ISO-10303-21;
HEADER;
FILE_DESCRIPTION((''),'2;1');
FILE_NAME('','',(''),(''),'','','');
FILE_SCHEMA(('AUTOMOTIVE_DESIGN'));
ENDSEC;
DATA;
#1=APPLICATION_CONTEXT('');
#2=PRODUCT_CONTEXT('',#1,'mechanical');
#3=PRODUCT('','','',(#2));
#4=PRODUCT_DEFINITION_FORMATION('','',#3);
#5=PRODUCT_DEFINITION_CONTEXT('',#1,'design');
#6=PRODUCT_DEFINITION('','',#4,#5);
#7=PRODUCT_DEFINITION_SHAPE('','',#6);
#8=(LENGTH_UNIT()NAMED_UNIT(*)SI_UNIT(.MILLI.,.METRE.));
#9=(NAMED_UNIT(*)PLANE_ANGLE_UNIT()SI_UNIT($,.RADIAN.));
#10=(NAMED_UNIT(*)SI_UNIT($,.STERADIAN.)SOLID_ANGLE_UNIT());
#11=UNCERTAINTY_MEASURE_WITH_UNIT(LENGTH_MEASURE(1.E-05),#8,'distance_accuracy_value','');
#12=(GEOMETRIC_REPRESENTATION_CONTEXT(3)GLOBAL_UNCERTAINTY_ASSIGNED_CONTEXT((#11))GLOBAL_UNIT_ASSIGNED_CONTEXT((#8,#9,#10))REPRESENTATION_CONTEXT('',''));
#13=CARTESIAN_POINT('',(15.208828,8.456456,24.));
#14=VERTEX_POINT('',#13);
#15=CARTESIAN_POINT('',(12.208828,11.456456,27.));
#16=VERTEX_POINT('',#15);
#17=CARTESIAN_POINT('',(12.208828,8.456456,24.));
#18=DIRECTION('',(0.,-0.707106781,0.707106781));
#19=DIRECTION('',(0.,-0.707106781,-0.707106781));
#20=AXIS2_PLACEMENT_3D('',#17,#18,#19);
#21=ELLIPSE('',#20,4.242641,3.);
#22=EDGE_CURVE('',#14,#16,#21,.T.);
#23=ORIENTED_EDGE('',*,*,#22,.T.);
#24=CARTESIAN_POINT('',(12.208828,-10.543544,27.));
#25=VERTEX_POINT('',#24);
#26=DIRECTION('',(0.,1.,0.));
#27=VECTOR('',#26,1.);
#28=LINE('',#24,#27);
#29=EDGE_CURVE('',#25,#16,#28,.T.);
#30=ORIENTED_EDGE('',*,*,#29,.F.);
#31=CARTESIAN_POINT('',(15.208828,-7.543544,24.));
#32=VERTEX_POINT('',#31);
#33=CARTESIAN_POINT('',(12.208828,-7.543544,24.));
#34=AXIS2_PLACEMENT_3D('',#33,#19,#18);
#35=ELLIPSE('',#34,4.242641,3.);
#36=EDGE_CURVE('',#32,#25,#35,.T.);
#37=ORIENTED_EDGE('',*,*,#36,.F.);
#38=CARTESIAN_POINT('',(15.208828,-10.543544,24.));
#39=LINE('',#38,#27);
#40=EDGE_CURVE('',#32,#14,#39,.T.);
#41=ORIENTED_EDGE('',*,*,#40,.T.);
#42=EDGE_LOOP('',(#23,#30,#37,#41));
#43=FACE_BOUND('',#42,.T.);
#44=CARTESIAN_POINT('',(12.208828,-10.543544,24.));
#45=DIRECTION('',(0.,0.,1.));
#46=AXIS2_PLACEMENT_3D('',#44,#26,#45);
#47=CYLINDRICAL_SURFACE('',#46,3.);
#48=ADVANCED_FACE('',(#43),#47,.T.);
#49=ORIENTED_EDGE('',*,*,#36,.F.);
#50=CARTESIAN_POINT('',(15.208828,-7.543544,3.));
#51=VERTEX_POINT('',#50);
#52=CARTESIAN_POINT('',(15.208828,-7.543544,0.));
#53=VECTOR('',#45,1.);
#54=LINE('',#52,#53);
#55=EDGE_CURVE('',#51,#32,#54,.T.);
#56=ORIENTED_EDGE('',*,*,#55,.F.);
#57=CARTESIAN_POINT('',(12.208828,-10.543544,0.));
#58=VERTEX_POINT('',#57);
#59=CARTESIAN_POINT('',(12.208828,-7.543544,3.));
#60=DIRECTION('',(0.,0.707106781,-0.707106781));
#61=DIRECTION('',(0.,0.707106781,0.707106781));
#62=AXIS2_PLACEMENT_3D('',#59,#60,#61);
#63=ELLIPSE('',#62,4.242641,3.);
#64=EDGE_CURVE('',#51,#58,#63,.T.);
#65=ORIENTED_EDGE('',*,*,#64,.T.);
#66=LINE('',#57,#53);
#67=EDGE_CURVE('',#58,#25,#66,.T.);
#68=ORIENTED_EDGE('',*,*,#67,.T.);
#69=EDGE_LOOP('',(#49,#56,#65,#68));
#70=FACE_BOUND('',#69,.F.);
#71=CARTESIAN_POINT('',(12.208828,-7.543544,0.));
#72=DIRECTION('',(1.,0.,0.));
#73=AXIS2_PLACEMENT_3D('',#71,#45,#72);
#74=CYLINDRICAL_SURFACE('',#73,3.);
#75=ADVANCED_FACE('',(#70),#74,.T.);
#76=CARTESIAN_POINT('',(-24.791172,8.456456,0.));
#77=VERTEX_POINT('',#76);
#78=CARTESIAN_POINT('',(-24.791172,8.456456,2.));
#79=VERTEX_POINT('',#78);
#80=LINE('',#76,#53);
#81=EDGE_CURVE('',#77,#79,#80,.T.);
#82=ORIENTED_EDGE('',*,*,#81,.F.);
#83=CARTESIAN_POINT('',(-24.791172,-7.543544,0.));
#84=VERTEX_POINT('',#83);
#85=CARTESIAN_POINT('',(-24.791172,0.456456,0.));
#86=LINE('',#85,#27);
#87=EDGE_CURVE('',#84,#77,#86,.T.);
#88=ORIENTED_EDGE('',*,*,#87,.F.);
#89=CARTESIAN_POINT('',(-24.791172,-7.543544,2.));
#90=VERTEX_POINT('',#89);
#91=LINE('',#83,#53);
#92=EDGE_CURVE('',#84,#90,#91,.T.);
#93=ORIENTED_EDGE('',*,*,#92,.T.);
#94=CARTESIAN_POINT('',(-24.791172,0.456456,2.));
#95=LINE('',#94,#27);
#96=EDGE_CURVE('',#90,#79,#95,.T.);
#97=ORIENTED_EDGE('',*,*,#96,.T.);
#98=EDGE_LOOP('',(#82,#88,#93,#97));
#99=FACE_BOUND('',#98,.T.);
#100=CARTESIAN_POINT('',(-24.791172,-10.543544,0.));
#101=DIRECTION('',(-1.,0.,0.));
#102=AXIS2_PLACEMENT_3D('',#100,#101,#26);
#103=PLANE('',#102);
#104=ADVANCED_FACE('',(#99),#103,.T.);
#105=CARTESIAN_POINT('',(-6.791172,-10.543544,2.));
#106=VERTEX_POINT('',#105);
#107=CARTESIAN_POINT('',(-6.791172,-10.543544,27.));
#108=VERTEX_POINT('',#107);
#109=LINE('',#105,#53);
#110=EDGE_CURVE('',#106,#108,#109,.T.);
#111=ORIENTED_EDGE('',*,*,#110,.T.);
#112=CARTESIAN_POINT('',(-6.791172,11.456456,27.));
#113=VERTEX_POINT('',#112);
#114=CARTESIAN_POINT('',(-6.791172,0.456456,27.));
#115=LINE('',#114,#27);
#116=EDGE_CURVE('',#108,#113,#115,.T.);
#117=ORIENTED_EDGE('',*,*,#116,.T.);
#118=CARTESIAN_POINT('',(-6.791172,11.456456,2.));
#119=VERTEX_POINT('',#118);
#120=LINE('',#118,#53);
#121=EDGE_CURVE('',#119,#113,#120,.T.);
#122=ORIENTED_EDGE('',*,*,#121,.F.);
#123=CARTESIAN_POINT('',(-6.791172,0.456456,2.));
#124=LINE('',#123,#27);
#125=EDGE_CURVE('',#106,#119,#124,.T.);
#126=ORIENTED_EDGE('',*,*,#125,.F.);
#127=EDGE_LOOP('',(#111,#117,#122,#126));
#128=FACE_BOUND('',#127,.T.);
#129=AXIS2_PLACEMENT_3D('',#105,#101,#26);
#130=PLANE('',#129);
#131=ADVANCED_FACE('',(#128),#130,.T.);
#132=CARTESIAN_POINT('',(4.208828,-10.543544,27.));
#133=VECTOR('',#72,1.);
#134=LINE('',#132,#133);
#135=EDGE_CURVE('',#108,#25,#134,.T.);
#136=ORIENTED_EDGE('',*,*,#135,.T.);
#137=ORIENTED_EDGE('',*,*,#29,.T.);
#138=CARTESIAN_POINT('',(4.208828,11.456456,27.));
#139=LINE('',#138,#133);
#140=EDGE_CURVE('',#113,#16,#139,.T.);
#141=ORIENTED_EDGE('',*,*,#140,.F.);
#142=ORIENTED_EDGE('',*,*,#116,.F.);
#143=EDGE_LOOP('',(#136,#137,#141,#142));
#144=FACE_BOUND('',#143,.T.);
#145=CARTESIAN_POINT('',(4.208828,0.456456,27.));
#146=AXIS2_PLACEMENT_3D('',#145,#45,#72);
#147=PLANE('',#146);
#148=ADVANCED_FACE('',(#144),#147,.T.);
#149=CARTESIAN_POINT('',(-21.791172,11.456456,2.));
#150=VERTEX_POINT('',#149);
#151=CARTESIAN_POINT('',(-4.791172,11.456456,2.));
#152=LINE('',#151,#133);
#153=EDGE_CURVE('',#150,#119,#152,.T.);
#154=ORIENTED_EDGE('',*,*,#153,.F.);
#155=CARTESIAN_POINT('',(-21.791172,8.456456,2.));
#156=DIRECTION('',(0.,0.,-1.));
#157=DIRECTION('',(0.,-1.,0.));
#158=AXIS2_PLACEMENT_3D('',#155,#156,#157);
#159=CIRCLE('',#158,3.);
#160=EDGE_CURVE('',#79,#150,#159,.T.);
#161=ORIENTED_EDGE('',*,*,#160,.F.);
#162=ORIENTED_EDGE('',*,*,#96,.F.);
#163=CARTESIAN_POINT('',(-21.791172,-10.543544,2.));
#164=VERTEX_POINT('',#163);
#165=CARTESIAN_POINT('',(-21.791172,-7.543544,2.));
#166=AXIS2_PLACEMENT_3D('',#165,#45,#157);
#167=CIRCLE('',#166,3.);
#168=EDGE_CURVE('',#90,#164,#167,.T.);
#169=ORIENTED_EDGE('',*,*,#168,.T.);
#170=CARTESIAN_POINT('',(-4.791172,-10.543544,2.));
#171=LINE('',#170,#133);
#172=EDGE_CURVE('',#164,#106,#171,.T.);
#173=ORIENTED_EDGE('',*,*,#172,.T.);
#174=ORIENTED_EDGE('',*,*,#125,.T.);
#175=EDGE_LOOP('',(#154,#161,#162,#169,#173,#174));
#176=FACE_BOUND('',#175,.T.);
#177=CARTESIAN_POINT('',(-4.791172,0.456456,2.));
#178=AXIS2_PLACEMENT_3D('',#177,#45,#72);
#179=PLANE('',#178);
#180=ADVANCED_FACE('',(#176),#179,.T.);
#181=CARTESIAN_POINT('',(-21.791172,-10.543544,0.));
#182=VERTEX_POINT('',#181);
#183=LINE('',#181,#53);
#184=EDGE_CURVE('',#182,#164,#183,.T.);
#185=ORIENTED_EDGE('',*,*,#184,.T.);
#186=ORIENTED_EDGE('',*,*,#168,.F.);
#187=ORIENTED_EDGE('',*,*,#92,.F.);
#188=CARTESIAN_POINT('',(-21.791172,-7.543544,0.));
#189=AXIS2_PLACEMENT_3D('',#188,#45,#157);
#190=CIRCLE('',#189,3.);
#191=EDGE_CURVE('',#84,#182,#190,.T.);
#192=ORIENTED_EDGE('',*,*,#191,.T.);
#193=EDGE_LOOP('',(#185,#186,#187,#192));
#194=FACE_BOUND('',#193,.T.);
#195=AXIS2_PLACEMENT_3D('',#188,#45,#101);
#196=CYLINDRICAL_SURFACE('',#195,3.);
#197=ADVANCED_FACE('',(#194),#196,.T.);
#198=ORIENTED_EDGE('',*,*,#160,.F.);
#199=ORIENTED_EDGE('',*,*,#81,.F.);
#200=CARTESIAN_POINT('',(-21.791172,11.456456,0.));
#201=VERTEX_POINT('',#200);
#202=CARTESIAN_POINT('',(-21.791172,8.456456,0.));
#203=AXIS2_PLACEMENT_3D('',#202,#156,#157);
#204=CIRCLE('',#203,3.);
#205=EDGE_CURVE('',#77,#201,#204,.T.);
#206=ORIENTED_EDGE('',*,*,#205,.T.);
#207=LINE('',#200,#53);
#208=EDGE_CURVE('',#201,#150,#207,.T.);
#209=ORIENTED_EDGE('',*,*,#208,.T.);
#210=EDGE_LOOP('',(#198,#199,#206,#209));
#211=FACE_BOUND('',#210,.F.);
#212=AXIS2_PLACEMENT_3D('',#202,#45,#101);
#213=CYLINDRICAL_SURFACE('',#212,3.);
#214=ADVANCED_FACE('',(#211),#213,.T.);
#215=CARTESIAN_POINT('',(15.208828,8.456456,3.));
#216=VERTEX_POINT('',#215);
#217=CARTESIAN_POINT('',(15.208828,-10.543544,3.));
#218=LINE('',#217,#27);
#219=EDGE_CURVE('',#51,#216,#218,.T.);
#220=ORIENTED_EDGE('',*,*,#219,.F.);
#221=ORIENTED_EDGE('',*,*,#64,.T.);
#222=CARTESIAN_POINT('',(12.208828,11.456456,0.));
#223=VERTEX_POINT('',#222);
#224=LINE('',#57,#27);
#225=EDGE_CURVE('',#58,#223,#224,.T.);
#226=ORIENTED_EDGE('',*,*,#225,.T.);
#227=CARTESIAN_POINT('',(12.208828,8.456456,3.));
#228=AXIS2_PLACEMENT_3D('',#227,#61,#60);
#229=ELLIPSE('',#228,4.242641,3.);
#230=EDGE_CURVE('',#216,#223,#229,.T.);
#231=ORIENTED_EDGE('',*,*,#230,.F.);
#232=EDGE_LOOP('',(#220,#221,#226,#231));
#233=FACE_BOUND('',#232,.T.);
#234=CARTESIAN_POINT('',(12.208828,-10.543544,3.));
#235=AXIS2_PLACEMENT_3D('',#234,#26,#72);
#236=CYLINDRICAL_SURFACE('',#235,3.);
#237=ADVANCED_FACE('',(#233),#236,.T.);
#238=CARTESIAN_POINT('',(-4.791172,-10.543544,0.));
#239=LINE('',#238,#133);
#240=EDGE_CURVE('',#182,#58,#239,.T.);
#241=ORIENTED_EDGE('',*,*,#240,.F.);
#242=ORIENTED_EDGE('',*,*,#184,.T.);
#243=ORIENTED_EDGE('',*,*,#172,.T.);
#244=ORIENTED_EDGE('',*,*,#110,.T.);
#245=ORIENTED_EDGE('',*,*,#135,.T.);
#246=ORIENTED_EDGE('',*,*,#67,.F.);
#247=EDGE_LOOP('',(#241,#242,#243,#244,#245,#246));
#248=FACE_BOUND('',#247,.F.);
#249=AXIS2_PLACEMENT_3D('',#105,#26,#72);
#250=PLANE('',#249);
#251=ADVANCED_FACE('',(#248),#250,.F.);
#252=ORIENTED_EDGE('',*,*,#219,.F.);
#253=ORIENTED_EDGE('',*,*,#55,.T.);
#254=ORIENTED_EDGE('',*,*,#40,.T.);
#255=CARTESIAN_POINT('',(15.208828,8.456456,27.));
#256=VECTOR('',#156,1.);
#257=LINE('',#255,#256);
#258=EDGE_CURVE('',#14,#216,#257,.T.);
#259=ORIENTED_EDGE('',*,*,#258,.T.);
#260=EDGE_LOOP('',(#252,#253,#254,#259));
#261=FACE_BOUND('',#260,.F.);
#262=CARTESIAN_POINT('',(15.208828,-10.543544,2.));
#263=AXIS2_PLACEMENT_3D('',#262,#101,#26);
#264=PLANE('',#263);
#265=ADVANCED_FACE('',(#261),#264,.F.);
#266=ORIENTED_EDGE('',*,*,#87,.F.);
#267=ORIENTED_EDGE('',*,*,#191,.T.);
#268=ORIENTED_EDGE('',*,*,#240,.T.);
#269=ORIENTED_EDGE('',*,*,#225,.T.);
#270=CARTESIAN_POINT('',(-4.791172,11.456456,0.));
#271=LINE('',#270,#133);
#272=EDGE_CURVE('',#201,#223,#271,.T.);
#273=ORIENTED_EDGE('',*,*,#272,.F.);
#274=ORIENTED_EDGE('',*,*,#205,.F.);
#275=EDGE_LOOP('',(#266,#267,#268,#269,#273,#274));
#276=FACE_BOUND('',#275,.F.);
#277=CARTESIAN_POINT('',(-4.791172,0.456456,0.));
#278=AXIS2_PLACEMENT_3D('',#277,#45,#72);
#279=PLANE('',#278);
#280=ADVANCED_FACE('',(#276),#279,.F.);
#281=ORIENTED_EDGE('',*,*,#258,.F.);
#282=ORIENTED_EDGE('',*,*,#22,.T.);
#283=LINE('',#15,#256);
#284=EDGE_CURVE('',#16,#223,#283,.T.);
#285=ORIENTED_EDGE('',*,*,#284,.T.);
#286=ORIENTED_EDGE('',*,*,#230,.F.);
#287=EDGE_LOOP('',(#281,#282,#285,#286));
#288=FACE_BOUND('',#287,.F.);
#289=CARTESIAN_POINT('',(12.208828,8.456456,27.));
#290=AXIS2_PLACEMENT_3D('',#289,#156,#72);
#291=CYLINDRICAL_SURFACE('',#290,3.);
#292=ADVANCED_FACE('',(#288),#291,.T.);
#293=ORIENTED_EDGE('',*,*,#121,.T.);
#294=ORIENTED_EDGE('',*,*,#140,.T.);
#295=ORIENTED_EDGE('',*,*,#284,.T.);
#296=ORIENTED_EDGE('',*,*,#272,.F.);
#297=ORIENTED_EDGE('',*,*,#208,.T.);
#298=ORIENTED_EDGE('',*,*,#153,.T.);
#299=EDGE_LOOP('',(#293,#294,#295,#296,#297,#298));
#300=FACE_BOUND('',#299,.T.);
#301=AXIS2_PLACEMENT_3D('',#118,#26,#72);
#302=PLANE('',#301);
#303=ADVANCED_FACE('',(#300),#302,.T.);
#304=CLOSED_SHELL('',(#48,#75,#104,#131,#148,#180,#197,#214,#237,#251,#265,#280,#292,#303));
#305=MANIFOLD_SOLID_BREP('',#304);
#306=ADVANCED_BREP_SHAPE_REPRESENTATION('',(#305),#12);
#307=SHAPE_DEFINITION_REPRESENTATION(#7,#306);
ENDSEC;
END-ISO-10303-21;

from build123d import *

# Parameters (mm, degrees)
F0_W     = 40
F0_H     = 22
F1_DEPTH = 2
F2_W     = 22
F2_H     = 22
F3_DEPTH = 25
F4_R     = 3


with BuildPart() as f1:
    # F0 (on Top) → F1 (new body)
    with BuildSketch(Plane.XY):
        with Locations((-4.791172, 0.456456)):
            Rectangle(F0_W, F0_H)
    extrude(amount=F1_DEPTH)

    # F2 (on face) → F3 (join)
    with BuildSketch(Plane.XY.offset(2)):
        with Locations((4.208828, 0.456456)):
            Rectangle(F2_W, F2_H)
    extrude(amount=F3_DEPTH)

    # F4
    f4_edges = [f1.edges().sort_by_distance(p)[0] for p in [
        (-24.791172, 11.456456, 1),
        (-24.791172, -10.543544, 1),
        (15.208828, -10.543544, 13.5),
        (15.208828, 0.456456, 0),
        (15.208828, 11.456456, 13.5),
        (15.208828, 0.456456, 27),
    ]]
    fillet(f4_edges, radius=F4_R)


solid = f1.part
